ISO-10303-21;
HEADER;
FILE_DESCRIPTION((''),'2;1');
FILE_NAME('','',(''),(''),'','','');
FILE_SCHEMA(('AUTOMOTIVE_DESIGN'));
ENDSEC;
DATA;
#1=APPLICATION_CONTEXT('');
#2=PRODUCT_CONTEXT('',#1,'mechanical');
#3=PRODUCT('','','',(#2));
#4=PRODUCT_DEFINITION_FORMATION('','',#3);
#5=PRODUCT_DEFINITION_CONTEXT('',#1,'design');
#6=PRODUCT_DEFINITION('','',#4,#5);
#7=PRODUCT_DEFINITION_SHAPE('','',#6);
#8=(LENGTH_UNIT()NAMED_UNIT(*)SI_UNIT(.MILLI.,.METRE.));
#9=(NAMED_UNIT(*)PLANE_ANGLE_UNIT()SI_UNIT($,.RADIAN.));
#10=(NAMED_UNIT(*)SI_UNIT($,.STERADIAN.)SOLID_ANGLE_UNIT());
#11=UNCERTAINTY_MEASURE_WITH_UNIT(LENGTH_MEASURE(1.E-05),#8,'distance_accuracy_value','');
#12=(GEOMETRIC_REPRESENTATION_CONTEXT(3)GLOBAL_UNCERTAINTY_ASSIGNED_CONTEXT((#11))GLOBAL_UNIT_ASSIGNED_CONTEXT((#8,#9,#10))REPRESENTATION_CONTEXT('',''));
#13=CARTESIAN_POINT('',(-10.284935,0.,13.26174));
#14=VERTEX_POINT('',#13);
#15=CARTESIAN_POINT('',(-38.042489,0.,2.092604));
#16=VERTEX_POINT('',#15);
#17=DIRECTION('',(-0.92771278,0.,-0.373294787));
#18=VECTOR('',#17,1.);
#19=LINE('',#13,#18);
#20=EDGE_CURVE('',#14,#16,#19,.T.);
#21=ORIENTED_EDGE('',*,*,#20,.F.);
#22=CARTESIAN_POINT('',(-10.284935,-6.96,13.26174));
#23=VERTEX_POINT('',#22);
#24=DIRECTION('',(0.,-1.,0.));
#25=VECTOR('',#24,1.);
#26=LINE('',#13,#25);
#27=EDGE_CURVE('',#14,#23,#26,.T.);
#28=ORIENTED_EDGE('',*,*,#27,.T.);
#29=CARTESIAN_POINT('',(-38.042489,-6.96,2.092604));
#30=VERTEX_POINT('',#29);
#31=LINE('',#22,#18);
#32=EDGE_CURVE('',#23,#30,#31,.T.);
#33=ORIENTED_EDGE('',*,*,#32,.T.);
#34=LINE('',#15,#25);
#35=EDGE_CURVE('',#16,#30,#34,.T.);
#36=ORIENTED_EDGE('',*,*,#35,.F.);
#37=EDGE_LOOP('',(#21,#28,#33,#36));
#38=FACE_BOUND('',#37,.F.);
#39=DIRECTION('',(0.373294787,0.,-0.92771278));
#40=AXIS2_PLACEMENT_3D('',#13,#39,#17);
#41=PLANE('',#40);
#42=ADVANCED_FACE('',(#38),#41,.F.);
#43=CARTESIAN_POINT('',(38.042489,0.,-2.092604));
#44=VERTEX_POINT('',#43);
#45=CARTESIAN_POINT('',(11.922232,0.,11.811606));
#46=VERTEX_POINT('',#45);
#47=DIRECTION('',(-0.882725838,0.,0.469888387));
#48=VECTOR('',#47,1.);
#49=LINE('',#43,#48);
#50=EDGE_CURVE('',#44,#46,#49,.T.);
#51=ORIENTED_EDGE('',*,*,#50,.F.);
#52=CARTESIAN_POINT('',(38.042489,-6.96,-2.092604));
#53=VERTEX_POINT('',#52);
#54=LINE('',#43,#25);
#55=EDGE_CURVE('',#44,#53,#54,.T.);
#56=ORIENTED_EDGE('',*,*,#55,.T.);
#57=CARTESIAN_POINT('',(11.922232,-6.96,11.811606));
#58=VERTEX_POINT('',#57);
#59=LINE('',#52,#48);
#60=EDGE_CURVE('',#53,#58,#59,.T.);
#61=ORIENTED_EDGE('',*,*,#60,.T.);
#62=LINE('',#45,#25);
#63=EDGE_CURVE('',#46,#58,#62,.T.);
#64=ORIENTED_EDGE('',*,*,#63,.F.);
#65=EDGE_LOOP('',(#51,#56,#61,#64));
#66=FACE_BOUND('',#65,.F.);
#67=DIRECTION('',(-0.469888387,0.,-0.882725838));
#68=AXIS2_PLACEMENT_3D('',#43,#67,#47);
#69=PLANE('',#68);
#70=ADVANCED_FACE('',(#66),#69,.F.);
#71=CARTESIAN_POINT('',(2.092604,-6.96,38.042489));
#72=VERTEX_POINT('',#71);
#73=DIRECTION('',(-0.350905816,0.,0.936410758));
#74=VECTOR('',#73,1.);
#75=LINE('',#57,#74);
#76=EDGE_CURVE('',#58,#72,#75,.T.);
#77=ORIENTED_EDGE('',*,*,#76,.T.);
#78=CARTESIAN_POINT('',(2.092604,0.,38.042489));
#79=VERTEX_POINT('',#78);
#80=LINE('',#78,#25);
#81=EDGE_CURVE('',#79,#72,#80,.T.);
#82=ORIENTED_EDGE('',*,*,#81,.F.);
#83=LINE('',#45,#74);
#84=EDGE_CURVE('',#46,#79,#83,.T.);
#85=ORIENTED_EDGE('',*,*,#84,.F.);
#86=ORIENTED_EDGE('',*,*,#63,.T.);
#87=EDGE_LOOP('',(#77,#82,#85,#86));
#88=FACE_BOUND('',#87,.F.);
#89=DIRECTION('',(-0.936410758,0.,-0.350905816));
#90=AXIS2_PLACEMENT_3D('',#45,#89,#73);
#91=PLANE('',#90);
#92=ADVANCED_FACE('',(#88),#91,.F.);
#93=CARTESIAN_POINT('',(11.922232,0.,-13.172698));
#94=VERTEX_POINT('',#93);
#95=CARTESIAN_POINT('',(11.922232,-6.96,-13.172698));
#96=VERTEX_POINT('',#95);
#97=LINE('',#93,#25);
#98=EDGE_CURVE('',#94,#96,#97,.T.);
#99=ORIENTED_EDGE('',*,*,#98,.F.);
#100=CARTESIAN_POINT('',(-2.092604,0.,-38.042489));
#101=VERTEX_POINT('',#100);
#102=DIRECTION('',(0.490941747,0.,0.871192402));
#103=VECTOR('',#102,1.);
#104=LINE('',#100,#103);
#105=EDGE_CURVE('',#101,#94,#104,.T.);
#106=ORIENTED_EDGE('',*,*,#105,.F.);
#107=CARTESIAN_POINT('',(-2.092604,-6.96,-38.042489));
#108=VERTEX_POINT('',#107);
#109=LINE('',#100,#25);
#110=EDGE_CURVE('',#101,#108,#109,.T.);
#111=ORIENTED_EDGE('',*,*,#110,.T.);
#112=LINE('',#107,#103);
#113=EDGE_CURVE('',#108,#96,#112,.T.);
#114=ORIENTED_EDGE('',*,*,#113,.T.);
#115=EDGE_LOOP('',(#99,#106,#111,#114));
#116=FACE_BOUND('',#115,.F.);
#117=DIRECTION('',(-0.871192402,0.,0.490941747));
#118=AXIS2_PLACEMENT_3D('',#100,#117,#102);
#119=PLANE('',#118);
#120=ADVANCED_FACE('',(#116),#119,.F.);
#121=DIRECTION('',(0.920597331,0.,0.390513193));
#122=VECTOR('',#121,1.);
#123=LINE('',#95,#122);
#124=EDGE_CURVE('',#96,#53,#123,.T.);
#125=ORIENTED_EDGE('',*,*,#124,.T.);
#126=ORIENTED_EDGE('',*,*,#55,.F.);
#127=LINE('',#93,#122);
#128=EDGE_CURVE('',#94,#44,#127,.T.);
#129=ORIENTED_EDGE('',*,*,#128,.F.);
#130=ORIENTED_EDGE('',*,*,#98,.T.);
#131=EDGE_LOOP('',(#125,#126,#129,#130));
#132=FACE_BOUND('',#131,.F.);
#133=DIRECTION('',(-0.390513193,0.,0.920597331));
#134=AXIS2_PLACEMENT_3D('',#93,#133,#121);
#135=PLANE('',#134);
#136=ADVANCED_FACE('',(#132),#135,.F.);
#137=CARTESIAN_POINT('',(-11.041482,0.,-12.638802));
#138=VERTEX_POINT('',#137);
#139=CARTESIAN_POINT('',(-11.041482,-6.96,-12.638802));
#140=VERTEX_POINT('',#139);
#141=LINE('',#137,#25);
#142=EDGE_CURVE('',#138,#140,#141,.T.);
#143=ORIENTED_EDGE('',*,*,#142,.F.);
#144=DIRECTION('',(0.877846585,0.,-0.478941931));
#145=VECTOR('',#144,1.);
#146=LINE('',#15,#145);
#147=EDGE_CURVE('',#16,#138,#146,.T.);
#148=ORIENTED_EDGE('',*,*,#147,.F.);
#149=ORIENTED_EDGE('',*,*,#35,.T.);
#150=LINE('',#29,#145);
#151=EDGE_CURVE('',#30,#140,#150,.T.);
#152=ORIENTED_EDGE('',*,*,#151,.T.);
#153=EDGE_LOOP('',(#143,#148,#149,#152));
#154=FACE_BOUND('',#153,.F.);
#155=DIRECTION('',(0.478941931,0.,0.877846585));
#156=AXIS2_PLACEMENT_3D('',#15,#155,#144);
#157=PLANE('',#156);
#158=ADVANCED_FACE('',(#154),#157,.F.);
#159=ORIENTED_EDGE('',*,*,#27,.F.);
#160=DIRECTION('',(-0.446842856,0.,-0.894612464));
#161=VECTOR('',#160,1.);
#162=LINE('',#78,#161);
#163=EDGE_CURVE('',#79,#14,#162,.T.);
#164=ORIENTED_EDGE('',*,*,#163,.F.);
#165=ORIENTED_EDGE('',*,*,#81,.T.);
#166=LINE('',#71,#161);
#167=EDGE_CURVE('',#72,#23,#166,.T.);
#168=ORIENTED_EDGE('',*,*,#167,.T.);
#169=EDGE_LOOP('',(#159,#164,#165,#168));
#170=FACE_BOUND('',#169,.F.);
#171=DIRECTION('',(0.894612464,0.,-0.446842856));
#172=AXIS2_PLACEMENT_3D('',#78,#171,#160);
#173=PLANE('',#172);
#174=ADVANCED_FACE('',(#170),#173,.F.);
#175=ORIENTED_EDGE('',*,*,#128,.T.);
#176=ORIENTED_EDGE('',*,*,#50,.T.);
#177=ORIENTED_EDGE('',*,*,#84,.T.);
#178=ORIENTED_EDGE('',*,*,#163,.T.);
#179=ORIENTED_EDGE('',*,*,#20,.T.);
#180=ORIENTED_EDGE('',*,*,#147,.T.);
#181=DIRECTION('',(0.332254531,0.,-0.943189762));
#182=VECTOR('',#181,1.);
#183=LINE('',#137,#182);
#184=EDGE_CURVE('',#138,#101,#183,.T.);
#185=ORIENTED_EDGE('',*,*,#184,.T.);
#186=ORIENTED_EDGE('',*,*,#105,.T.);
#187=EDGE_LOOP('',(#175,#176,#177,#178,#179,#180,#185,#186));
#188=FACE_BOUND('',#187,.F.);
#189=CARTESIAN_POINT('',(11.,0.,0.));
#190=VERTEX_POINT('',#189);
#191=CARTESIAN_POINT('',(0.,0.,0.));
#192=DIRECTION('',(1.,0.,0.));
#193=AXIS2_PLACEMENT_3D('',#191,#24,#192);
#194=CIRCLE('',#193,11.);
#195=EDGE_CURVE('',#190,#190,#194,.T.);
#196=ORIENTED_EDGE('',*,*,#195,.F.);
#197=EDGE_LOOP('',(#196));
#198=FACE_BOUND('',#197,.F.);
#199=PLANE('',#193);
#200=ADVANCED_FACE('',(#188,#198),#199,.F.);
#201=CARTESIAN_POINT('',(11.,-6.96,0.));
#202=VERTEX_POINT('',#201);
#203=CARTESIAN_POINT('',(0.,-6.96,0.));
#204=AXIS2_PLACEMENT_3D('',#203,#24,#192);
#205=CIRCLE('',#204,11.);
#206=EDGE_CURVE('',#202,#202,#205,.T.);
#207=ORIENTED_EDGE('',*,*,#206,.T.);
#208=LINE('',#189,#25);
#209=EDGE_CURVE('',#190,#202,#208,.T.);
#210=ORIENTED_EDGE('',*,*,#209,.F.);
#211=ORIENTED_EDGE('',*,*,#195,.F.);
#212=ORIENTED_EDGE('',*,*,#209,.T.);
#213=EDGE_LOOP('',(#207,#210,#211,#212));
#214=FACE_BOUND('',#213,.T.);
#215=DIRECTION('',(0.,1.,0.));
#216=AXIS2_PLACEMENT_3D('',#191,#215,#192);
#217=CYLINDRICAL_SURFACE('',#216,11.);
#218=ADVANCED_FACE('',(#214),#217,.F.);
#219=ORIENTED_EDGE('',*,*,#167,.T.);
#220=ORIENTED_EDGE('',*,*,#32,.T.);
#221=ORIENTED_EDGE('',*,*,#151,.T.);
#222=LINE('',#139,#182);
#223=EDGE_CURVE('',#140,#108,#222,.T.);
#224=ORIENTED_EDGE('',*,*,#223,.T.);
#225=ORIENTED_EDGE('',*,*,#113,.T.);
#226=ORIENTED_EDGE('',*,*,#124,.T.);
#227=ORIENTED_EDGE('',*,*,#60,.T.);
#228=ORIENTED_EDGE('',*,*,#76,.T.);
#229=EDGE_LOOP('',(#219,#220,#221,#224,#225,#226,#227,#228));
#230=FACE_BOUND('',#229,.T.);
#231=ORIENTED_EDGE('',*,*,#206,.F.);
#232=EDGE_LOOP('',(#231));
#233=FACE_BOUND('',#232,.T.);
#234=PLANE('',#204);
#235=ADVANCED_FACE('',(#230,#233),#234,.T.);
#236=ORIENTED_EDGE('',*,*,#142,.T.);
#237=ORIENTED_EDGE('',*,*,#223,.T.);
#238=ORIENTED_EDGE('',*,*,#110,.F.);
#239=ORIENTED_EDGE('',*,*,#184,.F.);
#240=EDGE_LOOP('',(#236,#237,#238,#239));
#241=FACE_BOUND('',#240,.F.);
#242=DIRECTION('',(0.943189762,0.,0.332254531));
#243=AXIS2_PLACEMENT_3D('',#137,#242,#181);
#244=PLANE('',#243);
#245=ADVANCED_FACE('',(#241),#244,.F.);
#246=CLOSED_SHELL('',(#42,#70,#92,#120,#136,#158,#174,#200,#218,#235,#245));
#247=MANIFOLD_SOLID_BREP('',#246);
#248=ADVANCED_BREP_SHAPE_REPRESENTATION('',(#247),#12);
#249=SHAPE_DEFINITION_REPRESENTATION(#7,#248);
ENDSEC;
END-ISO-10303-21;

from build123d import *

# Parameters (mm, degrees)
F0_R     = 11
F1_DEPTH = 6.96
F2_DEPTH = 6.96


with BuildPart() as f1:
    # F0 (on Front) → F1 (new body)
    with BuildSketch(Plane.XZ):
        Circle(F0_R)
        with BuildLine():
            ThreePointArc((-0.086483, 0.004757), (-0.057789, 0.064517), (0.004757, 0.086483))
            Line((0.004757, 0.086483), (0.002379, 0.043242))
            ThreePointArc((0.002379, 0.043242), (0.031452, 0.02977), (0.043307, 0))
            ThreePointArc((0.043307, 0), (0.043291, -0.00119), (0.043242, -0.002379))
            ThreePointArc((0.043242, -0.002379), (0.028895, -0.032258), (-0.002379, -0.043242))
            ThreePointArc((-0.002379, -0.043242), (-0.032258, -0.028895), (-0.043242, 0.002379))
            Line((-0.043242, 0.002379), (-0.086483, 0.004757))
        make_face(mode=Mode.SUBTRACT)
        Polygon((11.922232, 11.811606), (2.092604, 38.042489), (-10.284935, 13.26174), (-38.042489, 2.092604), (-11.041482, -12.638802), (-2.092604, -38.042489), (11.922232, -13.172698), (38.042489, -2.092604), align=None)
        Circle(F0_R, mode=Mode.SUBTRACT)
    extrude(amount=F1_DEPTH)

    # F0 (on Front) → F2 (join)
    with BuildSketch(Plane.XZ):
        Circle(F0_R)
        with BuildLine():
            ThreePointArc((-0.086483, 0.004757), (-0.057789, 0.064517), (0.004757, 0.086483))
            Line((0.004757, 0.086483), (0.002379, 0.043242))
            ThreePointArc((0.002379, 0.043242), (0.031452, 0.02977), (0.043307, 0))
            ThreePointArc((0.043307, 0), (0.043291, -0.00119), (0.043242, -0.002379))
            ThreePointArc((0.043242, -0.002379), (0.028895, -0.032258), (-0.002379, -0.043242))
            ThreePointArc((-0.002379, -0.043242), (-0.032258, -0.028895), (-0.043242, 0.002379))
            Line((-0.043242, 0.002379), (-0.086483, 0.004757))
        make_face(mode=Mode.SUBTRACT)
        Polygon((11.922232, 11.811606), (2.092604, 38.042489), (-10.284935, 13.26174), (-38.042489, 2.092604), (-11.041482, -12.638802), (-2.092604, -38.042489), (11.922232, -13.172698), (38.042489, -2.092604), align=None)
        Circle(F0_R, mode=Mode.SUBTRACT)
    extrude(amount=F2_DEPTH)


solid = f1.part
